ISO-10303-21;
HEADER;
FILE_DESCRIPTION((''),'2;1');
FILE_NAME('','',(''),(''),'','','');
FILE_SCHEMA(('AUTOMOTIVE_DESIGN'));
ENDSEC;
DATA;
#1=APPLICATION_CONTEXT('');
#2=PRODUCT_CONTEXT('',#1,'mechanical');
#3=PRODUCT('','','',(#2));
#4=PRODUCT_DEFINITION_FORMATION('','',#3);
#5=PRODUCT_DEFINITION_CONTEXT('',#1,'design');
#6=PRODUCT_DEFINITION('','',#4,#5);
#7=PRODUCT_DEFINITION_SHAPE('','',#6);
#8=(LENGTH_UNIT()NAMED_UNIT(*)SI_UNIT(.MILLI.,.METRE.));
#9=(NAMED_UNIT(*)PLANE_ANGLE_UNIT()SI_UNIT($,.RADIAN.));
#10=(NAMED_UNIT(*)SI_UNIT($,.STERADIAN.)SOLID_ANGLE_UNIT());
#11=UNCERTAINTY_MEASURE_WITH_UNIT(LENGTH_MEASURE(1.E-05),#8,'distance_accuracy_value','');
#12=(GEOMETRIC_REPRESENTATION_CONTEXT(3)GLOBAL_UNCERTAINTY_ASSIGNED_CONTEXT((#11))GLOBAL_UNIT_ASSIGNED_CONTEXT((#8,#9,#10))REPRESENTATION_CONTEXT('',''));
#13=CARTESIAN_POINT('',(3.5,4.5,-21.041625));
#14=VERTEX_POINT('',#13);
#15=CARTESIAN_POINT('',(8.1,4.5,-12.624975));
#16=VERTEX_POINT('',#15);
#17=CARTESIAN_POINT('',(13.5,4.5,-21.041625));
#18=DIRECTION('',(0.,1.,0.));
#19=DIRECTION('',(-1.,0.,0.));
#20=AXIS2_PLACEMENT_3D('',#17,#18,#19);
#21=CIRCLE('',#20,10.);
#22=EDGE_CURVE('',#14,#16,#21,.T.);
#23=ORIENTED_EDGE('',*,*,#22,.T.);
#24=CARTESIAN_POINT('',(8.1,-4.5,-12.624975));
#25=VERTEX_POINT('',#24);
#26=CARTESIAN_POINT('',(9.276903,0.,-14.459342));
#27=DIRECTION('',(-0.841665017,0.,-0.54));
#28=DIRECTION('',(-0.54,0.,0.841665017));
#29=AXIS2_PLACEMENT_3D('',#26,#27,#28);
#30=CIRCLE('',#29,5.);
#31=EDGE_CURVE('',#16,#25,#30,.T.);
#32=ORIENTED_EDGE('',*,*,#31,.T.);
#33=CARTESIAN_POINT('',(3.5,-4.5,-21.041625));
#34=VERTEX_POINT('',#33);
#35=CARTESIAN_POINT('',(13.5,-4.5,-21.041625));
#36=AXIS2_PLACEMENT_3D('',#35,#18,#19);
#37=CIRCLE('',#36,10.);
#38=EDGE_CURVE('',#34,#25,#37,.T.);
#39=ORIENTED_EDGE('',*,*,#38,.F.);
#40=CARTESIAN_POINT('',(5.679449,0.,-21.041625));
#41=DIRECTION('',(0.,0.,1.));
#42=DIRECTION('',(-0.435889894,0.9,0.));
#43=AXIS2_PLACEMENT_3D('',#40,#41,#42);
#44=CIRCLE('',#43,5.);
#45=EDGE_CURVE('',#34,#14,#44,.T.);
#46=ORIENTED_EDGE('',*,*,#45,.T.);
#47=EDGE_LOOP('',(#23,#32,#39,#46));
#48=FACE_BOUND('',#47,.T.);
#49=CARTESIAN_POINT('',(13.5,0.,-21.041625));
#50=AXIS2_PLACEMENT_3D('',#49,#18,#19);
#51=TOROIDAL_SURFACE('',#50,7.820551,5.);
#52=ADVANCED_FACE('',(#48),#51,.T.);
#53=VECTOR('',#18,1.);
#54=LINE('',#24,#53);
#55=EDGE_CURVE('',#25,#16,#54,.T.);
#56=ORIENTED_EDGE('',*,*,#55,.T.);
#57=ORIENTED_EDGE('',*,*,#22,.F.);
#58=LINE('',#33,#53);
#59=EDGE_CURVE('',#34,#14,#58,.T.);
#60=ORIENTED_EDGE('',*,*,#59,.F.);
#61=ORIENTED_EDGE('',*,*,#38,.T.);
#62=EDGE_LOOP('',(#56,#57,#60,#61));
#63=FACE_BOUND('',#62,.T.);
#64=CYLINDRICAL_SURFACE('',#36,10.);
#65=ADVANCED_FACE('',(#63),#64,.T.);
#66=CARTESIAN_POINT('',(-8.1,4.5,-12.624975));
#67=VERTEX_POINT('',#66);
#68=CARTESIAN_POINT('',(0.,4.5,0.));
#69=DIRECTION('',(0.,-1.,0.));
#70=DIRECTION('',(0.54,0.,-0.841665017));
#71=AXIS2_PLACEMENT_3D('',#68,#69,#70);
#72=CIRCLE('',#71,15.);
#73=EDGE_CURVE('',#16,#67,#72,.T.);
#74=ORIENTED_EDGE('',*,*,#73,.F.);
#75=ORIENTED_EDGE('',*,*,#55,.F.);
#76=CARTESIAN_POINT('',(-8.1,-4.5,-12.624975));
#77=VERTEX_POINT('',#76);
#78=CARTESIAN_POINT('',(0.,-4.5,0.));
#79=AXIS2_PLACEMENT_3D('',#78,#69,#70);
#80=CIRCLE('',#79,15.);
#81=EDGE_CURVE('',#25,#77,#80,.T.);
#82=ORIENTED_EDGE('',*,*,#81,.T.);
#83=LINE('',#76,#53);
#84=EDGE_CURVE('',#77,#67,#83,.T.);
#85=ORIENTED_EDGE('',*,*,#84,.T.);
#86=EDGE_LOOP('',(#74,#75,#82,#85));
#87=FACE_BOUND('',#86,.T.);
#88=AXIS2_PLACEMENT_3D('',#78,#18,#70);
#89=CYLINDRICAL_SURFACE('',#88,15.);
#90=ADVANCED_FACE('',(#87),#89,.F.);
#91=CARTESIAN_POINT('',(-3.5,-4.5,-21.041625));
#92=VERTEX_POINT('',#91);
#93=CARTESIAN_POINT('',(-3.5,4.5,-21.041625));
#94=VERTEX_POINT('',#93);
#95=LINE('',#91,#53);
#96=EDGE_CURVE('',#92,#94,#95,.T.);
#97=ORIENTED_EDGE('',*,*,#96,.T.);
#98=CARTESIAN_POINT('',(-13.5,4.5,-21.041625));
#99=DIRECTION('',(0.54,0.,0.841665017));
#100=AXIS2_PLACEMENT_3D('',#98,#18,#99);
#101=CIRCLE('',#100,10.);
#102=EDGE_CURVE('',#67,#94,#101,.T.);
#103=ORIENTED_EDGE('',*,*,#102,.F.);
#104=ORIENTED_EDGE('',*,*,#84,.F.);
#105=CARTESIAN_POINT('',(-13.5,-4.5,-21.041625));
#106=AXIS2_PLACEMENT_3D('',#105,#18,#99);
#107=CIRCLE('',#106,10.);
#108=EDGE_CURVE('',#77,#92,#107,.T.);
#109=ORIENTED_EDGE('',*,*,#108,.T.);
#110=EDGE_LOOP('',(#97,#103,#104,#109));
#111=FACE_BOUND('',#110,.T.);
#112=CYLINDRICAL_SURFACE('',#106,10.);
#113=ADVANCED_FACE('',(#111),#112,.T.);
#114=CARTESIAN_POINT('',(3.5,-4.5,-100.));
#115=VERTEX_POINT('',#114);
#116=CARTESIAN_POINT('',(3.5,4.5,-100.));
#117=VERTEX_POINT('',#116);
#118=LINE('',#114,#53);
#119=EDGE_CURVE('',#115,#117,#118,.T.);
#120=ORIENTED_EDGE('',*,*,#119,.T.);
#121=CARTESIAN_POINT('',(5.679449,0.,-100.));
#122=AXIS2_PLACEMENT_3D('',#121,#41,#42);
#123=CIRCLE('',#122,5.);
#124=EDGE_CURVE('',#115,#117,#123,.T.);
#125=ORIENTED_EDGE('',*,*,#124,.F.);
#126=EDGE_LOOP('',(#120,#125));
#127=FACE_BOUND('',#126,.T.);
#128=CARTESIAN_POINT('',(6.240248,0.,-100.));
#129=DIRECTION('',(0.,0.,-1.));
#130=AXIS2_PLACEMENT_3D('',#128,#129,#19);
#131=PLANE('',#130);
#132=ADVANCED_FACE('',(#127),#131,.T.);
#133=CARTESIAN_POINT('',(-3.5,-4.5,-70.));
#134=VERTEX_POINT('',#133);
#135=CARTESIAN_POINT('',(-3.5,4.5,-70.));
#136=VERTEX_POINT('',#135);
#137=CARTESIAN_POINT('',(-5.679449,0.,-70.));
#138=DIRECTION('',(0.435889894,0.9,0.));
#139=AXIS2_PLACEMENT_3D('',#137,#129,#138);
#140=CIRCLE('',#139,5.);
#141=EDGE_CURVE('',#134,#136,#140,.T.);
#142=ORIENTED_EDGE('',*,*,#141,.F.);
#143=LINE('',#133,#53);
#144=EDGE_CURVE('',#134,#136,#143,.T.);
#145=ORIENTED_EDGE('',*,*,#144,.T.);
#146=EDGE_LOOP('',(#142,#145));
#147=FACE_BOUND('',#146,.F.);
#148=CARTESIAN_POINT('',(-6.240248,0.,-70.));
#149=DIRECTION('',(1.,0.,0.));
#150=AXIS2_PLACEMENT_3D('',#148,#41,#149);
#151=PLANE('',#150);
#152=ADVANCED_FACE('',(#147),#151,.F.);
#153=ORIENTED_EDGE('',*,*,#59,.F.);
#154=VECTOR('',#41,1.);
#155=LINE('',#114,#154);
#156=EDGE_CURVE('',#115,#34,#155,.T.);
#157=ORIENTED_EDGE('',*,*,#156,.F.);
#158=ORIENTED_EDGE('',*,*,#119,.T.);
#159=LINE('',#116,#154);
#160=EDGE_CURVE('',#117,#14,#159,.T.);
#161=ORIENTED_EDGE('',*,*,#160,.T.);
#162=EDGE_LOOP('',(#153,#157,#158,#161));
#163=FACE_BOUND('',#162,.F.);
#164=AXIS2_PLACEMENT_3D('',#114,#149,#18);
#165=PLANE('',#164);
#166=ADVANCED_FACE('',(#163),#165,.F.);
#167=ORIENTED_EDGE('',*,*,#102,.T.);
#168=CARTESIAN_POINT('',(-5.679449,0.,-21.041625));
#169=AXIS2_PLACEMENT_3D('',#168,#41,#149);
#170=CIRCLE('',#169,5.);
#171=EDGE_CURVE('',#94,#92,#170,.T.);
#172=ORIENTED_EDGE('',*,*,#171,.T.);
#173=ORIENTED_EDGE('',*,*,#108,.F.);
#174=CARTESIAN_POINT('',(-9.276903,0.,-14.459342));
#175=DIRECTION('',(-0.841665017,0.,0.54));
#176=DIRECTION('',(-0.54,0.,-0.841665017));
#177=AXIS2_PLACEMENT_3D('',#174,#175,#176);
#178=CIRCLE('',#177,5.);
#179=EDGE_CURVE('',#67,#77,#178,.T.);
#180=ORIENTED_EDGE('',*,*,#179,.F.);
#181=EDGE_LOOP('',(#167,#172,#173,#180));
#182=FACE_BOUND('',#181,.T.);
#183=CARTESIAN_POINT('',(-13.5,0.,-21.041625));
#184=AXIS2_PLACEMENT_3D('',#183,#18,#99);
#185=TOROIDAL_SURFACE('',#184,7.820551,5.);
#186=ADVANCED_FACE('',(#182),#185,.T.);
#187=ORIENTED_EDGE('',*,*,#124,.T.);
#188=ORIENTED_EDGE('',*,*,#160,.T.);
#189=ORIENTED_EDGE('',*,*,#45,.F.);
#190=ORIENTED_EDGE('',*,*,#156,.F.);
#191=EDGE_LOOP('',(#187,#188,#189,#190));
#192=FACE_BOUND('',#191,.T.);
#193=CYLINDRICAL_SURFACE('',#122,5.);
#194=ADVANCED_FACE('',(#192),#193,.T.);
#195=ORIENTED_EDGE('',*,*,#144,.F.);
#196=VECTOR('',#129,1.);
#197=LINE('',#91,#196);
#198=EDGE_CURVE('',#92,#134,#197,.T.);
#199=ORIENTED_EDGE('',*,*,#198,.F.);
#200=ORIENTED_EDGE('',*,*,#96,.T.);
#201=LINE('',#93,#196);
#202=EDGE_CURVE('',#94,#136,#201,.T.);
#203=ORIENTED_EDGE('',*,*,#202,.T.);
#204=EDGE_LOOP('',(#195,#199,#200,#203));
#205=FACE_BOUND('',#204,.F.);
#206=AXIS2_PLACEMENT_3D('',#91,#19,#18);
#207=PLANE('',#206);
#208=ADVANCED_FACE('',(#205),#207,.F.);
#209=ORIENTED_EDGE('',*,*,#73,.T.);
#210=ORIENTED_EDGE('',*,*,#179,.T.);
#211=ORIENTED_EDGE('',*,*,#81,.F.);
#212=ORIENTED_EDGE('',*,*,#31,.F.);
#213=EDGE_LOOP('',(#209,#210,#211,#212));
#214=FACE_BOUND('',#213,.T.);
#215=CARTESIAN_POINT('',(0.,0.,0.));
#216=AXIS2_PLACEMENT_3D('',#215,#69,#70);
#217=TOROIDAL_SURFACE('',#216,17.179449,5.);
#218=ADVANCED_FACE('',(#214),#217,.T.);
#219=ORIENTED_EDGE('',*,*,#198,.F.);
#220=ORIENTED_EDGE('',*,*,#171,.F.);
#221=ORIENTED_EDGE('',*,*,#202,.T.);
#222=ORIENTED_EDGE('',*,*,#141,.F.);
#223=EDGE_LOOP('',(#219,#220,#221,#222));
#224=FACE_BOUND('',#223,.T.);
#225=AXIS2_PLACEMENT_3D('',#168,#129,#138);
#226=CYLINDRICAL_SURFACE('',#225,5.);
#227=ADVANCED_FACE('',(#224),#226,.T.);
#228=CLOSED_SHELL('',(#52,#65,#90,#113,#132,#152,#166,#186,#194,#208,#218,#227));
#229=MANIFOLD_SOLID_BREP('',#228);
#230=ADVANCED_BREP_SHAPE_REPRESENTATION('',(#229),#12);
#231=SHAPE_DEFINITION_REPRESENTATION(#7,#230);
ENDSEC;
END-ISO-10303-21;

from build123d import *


with BuildPart() as f3:
    # F3: sweep along a path in F0
    with BuildLine(Plane.XZ) as f3_path:
        Line((3.5, -100), (3.5, -21.0416254125))
        ThreePointArc((3.5, -21.0416254125), (4.7250356126, -16.2457938892), (8.1, -12.6249752475))
        ThreePointArc((8.1, -12.6249752475), (0, 15), (-8.1, -12.6249752475))
        ThreePointArc((-8.1, -12.6249752475), (-4.7250356126, -16.2457938892), (-3.5, -21.0416254125))
        Line((-3.5, -21.0416254125), (-3.5, -70))
    # F2 (on plane+point) → F3 (sweep)
    with BuildSketch(Plane.XY.offset(-70)):
        with BuildLine():
            Line((-3.5, -4.5), (-3.5, 4.5))
            ThreePointArc((-3.5, 4.5), (-10.6794494718, 0), (-3.5, -4.5))
        make_face()
    sweep(path=f3_path.line)


solid = f3.part
